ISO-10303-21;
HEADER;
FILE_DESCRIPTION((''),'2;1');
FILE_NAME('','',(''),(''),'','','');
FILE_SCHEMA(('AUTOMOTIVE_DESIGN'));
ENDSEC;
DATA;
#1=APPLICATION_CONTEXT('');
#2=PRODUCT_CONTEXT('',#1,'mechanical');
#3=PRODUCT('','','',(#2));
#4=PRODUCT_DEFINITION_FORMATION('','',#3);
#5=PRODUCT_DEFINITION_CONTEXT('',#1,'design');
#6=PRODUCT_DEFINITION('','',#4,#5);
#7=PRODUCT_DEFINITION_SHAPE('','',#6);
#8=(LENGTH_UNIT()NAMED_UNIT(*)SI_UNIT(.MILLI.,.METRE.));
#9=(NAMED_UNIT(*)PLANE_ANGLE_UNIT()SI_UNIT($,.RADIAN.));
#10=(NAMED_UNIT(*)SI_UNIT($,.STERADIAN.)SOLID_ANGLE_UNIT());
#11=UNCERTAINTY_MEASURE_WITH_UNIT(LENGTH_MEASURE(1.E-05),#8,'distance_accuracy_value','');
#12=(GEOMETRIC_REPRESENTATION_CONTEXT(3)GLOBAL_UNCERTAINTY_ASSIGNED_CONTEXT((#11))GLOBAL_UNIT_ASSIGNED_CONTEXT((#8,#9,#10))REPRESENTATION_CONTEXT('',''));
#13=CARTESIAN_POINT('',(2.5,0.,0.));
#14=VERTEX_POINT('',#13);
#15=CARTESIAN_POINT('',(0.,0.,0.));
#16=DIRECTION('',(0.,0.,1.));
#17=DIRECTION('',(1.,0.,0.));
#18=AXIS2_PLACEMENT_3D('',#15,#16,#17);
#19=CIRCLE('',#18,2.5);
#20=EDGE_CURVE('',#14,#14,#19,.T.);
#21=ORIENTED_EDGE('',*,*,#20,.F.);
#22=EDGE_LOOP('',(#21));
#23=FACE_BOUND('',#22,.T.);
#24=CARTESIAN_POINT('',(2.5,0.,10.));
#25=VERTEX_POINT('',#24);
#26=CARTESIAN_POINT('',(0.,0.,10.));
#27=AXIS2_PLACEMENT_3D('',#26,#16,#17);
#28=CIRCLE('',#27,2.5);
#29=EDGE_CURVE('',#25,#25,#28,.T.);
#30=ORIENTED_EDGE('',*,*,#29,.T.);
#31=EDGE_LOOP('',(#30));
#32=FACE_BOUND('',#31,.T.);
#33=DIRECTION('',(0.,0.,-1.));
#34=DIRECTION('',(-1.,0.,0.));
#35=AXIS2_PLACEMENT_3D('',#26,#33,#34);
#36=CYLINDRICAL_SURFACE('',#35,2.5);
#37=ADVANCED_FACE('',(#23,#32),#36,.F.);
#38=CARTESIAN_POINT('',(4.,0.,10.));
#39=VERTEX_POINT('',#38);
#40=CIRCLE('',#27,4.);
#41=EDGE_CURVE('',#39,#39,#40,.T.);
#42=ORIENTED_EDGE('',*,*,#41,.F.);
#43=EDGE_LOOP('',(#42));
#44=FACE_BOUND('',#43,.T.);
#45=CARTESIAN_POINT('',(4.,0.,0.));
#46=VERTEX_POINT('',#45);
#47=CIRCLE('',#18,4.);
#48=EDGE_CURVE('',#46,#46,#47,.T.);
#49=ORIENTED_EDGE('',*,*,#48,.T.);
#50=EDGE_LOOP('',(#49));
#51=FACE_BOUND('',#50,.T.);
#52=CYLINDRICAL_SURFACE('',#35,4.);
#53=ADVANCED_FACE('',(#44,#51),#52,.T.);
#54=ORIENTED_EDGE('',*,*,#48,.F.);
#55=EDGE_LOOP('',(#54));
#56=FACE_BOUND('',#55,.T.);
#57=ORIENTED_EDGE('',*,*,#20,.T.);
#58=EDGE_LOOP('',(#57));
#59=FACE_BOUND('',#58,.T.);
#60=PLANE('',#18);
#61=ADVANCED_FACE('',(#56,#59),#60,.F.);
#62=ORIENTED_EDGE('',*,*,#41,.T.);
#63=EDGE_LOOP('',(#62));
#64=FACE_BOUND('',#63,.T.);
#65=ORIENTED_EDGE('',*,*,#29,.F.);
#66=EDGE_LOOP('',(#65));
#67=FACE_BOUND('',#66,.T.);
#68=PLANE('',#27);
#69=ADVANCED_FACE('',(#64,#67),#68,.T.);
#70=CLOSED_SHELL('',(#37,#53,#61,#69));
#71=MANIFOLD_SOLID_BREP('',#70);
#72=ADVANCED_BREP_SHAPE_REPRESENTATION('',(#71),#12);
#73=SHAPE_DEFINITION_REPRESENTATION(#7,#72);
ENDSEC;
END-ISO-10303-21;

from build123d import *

# Parameters (mm, degrees)
CROQUIS1_R              = 4
CROQUIS1_R_2            = 2.5
SALIENTE_EXTRUIR1_DEPTH = 10


with BuildPart() as part:
    # Croquis1 → Saliente-Extruir1 (new body)
    with BuildSketch(Plane.XY):
        Circle(CROQUIS1_R)
        Circle(CROQUIS1_R_2, mode=Mode.SUBTRACT)
    extrude(amount=SALIENTE_EXTRUIR1_DEPTH)


solid = part.part
